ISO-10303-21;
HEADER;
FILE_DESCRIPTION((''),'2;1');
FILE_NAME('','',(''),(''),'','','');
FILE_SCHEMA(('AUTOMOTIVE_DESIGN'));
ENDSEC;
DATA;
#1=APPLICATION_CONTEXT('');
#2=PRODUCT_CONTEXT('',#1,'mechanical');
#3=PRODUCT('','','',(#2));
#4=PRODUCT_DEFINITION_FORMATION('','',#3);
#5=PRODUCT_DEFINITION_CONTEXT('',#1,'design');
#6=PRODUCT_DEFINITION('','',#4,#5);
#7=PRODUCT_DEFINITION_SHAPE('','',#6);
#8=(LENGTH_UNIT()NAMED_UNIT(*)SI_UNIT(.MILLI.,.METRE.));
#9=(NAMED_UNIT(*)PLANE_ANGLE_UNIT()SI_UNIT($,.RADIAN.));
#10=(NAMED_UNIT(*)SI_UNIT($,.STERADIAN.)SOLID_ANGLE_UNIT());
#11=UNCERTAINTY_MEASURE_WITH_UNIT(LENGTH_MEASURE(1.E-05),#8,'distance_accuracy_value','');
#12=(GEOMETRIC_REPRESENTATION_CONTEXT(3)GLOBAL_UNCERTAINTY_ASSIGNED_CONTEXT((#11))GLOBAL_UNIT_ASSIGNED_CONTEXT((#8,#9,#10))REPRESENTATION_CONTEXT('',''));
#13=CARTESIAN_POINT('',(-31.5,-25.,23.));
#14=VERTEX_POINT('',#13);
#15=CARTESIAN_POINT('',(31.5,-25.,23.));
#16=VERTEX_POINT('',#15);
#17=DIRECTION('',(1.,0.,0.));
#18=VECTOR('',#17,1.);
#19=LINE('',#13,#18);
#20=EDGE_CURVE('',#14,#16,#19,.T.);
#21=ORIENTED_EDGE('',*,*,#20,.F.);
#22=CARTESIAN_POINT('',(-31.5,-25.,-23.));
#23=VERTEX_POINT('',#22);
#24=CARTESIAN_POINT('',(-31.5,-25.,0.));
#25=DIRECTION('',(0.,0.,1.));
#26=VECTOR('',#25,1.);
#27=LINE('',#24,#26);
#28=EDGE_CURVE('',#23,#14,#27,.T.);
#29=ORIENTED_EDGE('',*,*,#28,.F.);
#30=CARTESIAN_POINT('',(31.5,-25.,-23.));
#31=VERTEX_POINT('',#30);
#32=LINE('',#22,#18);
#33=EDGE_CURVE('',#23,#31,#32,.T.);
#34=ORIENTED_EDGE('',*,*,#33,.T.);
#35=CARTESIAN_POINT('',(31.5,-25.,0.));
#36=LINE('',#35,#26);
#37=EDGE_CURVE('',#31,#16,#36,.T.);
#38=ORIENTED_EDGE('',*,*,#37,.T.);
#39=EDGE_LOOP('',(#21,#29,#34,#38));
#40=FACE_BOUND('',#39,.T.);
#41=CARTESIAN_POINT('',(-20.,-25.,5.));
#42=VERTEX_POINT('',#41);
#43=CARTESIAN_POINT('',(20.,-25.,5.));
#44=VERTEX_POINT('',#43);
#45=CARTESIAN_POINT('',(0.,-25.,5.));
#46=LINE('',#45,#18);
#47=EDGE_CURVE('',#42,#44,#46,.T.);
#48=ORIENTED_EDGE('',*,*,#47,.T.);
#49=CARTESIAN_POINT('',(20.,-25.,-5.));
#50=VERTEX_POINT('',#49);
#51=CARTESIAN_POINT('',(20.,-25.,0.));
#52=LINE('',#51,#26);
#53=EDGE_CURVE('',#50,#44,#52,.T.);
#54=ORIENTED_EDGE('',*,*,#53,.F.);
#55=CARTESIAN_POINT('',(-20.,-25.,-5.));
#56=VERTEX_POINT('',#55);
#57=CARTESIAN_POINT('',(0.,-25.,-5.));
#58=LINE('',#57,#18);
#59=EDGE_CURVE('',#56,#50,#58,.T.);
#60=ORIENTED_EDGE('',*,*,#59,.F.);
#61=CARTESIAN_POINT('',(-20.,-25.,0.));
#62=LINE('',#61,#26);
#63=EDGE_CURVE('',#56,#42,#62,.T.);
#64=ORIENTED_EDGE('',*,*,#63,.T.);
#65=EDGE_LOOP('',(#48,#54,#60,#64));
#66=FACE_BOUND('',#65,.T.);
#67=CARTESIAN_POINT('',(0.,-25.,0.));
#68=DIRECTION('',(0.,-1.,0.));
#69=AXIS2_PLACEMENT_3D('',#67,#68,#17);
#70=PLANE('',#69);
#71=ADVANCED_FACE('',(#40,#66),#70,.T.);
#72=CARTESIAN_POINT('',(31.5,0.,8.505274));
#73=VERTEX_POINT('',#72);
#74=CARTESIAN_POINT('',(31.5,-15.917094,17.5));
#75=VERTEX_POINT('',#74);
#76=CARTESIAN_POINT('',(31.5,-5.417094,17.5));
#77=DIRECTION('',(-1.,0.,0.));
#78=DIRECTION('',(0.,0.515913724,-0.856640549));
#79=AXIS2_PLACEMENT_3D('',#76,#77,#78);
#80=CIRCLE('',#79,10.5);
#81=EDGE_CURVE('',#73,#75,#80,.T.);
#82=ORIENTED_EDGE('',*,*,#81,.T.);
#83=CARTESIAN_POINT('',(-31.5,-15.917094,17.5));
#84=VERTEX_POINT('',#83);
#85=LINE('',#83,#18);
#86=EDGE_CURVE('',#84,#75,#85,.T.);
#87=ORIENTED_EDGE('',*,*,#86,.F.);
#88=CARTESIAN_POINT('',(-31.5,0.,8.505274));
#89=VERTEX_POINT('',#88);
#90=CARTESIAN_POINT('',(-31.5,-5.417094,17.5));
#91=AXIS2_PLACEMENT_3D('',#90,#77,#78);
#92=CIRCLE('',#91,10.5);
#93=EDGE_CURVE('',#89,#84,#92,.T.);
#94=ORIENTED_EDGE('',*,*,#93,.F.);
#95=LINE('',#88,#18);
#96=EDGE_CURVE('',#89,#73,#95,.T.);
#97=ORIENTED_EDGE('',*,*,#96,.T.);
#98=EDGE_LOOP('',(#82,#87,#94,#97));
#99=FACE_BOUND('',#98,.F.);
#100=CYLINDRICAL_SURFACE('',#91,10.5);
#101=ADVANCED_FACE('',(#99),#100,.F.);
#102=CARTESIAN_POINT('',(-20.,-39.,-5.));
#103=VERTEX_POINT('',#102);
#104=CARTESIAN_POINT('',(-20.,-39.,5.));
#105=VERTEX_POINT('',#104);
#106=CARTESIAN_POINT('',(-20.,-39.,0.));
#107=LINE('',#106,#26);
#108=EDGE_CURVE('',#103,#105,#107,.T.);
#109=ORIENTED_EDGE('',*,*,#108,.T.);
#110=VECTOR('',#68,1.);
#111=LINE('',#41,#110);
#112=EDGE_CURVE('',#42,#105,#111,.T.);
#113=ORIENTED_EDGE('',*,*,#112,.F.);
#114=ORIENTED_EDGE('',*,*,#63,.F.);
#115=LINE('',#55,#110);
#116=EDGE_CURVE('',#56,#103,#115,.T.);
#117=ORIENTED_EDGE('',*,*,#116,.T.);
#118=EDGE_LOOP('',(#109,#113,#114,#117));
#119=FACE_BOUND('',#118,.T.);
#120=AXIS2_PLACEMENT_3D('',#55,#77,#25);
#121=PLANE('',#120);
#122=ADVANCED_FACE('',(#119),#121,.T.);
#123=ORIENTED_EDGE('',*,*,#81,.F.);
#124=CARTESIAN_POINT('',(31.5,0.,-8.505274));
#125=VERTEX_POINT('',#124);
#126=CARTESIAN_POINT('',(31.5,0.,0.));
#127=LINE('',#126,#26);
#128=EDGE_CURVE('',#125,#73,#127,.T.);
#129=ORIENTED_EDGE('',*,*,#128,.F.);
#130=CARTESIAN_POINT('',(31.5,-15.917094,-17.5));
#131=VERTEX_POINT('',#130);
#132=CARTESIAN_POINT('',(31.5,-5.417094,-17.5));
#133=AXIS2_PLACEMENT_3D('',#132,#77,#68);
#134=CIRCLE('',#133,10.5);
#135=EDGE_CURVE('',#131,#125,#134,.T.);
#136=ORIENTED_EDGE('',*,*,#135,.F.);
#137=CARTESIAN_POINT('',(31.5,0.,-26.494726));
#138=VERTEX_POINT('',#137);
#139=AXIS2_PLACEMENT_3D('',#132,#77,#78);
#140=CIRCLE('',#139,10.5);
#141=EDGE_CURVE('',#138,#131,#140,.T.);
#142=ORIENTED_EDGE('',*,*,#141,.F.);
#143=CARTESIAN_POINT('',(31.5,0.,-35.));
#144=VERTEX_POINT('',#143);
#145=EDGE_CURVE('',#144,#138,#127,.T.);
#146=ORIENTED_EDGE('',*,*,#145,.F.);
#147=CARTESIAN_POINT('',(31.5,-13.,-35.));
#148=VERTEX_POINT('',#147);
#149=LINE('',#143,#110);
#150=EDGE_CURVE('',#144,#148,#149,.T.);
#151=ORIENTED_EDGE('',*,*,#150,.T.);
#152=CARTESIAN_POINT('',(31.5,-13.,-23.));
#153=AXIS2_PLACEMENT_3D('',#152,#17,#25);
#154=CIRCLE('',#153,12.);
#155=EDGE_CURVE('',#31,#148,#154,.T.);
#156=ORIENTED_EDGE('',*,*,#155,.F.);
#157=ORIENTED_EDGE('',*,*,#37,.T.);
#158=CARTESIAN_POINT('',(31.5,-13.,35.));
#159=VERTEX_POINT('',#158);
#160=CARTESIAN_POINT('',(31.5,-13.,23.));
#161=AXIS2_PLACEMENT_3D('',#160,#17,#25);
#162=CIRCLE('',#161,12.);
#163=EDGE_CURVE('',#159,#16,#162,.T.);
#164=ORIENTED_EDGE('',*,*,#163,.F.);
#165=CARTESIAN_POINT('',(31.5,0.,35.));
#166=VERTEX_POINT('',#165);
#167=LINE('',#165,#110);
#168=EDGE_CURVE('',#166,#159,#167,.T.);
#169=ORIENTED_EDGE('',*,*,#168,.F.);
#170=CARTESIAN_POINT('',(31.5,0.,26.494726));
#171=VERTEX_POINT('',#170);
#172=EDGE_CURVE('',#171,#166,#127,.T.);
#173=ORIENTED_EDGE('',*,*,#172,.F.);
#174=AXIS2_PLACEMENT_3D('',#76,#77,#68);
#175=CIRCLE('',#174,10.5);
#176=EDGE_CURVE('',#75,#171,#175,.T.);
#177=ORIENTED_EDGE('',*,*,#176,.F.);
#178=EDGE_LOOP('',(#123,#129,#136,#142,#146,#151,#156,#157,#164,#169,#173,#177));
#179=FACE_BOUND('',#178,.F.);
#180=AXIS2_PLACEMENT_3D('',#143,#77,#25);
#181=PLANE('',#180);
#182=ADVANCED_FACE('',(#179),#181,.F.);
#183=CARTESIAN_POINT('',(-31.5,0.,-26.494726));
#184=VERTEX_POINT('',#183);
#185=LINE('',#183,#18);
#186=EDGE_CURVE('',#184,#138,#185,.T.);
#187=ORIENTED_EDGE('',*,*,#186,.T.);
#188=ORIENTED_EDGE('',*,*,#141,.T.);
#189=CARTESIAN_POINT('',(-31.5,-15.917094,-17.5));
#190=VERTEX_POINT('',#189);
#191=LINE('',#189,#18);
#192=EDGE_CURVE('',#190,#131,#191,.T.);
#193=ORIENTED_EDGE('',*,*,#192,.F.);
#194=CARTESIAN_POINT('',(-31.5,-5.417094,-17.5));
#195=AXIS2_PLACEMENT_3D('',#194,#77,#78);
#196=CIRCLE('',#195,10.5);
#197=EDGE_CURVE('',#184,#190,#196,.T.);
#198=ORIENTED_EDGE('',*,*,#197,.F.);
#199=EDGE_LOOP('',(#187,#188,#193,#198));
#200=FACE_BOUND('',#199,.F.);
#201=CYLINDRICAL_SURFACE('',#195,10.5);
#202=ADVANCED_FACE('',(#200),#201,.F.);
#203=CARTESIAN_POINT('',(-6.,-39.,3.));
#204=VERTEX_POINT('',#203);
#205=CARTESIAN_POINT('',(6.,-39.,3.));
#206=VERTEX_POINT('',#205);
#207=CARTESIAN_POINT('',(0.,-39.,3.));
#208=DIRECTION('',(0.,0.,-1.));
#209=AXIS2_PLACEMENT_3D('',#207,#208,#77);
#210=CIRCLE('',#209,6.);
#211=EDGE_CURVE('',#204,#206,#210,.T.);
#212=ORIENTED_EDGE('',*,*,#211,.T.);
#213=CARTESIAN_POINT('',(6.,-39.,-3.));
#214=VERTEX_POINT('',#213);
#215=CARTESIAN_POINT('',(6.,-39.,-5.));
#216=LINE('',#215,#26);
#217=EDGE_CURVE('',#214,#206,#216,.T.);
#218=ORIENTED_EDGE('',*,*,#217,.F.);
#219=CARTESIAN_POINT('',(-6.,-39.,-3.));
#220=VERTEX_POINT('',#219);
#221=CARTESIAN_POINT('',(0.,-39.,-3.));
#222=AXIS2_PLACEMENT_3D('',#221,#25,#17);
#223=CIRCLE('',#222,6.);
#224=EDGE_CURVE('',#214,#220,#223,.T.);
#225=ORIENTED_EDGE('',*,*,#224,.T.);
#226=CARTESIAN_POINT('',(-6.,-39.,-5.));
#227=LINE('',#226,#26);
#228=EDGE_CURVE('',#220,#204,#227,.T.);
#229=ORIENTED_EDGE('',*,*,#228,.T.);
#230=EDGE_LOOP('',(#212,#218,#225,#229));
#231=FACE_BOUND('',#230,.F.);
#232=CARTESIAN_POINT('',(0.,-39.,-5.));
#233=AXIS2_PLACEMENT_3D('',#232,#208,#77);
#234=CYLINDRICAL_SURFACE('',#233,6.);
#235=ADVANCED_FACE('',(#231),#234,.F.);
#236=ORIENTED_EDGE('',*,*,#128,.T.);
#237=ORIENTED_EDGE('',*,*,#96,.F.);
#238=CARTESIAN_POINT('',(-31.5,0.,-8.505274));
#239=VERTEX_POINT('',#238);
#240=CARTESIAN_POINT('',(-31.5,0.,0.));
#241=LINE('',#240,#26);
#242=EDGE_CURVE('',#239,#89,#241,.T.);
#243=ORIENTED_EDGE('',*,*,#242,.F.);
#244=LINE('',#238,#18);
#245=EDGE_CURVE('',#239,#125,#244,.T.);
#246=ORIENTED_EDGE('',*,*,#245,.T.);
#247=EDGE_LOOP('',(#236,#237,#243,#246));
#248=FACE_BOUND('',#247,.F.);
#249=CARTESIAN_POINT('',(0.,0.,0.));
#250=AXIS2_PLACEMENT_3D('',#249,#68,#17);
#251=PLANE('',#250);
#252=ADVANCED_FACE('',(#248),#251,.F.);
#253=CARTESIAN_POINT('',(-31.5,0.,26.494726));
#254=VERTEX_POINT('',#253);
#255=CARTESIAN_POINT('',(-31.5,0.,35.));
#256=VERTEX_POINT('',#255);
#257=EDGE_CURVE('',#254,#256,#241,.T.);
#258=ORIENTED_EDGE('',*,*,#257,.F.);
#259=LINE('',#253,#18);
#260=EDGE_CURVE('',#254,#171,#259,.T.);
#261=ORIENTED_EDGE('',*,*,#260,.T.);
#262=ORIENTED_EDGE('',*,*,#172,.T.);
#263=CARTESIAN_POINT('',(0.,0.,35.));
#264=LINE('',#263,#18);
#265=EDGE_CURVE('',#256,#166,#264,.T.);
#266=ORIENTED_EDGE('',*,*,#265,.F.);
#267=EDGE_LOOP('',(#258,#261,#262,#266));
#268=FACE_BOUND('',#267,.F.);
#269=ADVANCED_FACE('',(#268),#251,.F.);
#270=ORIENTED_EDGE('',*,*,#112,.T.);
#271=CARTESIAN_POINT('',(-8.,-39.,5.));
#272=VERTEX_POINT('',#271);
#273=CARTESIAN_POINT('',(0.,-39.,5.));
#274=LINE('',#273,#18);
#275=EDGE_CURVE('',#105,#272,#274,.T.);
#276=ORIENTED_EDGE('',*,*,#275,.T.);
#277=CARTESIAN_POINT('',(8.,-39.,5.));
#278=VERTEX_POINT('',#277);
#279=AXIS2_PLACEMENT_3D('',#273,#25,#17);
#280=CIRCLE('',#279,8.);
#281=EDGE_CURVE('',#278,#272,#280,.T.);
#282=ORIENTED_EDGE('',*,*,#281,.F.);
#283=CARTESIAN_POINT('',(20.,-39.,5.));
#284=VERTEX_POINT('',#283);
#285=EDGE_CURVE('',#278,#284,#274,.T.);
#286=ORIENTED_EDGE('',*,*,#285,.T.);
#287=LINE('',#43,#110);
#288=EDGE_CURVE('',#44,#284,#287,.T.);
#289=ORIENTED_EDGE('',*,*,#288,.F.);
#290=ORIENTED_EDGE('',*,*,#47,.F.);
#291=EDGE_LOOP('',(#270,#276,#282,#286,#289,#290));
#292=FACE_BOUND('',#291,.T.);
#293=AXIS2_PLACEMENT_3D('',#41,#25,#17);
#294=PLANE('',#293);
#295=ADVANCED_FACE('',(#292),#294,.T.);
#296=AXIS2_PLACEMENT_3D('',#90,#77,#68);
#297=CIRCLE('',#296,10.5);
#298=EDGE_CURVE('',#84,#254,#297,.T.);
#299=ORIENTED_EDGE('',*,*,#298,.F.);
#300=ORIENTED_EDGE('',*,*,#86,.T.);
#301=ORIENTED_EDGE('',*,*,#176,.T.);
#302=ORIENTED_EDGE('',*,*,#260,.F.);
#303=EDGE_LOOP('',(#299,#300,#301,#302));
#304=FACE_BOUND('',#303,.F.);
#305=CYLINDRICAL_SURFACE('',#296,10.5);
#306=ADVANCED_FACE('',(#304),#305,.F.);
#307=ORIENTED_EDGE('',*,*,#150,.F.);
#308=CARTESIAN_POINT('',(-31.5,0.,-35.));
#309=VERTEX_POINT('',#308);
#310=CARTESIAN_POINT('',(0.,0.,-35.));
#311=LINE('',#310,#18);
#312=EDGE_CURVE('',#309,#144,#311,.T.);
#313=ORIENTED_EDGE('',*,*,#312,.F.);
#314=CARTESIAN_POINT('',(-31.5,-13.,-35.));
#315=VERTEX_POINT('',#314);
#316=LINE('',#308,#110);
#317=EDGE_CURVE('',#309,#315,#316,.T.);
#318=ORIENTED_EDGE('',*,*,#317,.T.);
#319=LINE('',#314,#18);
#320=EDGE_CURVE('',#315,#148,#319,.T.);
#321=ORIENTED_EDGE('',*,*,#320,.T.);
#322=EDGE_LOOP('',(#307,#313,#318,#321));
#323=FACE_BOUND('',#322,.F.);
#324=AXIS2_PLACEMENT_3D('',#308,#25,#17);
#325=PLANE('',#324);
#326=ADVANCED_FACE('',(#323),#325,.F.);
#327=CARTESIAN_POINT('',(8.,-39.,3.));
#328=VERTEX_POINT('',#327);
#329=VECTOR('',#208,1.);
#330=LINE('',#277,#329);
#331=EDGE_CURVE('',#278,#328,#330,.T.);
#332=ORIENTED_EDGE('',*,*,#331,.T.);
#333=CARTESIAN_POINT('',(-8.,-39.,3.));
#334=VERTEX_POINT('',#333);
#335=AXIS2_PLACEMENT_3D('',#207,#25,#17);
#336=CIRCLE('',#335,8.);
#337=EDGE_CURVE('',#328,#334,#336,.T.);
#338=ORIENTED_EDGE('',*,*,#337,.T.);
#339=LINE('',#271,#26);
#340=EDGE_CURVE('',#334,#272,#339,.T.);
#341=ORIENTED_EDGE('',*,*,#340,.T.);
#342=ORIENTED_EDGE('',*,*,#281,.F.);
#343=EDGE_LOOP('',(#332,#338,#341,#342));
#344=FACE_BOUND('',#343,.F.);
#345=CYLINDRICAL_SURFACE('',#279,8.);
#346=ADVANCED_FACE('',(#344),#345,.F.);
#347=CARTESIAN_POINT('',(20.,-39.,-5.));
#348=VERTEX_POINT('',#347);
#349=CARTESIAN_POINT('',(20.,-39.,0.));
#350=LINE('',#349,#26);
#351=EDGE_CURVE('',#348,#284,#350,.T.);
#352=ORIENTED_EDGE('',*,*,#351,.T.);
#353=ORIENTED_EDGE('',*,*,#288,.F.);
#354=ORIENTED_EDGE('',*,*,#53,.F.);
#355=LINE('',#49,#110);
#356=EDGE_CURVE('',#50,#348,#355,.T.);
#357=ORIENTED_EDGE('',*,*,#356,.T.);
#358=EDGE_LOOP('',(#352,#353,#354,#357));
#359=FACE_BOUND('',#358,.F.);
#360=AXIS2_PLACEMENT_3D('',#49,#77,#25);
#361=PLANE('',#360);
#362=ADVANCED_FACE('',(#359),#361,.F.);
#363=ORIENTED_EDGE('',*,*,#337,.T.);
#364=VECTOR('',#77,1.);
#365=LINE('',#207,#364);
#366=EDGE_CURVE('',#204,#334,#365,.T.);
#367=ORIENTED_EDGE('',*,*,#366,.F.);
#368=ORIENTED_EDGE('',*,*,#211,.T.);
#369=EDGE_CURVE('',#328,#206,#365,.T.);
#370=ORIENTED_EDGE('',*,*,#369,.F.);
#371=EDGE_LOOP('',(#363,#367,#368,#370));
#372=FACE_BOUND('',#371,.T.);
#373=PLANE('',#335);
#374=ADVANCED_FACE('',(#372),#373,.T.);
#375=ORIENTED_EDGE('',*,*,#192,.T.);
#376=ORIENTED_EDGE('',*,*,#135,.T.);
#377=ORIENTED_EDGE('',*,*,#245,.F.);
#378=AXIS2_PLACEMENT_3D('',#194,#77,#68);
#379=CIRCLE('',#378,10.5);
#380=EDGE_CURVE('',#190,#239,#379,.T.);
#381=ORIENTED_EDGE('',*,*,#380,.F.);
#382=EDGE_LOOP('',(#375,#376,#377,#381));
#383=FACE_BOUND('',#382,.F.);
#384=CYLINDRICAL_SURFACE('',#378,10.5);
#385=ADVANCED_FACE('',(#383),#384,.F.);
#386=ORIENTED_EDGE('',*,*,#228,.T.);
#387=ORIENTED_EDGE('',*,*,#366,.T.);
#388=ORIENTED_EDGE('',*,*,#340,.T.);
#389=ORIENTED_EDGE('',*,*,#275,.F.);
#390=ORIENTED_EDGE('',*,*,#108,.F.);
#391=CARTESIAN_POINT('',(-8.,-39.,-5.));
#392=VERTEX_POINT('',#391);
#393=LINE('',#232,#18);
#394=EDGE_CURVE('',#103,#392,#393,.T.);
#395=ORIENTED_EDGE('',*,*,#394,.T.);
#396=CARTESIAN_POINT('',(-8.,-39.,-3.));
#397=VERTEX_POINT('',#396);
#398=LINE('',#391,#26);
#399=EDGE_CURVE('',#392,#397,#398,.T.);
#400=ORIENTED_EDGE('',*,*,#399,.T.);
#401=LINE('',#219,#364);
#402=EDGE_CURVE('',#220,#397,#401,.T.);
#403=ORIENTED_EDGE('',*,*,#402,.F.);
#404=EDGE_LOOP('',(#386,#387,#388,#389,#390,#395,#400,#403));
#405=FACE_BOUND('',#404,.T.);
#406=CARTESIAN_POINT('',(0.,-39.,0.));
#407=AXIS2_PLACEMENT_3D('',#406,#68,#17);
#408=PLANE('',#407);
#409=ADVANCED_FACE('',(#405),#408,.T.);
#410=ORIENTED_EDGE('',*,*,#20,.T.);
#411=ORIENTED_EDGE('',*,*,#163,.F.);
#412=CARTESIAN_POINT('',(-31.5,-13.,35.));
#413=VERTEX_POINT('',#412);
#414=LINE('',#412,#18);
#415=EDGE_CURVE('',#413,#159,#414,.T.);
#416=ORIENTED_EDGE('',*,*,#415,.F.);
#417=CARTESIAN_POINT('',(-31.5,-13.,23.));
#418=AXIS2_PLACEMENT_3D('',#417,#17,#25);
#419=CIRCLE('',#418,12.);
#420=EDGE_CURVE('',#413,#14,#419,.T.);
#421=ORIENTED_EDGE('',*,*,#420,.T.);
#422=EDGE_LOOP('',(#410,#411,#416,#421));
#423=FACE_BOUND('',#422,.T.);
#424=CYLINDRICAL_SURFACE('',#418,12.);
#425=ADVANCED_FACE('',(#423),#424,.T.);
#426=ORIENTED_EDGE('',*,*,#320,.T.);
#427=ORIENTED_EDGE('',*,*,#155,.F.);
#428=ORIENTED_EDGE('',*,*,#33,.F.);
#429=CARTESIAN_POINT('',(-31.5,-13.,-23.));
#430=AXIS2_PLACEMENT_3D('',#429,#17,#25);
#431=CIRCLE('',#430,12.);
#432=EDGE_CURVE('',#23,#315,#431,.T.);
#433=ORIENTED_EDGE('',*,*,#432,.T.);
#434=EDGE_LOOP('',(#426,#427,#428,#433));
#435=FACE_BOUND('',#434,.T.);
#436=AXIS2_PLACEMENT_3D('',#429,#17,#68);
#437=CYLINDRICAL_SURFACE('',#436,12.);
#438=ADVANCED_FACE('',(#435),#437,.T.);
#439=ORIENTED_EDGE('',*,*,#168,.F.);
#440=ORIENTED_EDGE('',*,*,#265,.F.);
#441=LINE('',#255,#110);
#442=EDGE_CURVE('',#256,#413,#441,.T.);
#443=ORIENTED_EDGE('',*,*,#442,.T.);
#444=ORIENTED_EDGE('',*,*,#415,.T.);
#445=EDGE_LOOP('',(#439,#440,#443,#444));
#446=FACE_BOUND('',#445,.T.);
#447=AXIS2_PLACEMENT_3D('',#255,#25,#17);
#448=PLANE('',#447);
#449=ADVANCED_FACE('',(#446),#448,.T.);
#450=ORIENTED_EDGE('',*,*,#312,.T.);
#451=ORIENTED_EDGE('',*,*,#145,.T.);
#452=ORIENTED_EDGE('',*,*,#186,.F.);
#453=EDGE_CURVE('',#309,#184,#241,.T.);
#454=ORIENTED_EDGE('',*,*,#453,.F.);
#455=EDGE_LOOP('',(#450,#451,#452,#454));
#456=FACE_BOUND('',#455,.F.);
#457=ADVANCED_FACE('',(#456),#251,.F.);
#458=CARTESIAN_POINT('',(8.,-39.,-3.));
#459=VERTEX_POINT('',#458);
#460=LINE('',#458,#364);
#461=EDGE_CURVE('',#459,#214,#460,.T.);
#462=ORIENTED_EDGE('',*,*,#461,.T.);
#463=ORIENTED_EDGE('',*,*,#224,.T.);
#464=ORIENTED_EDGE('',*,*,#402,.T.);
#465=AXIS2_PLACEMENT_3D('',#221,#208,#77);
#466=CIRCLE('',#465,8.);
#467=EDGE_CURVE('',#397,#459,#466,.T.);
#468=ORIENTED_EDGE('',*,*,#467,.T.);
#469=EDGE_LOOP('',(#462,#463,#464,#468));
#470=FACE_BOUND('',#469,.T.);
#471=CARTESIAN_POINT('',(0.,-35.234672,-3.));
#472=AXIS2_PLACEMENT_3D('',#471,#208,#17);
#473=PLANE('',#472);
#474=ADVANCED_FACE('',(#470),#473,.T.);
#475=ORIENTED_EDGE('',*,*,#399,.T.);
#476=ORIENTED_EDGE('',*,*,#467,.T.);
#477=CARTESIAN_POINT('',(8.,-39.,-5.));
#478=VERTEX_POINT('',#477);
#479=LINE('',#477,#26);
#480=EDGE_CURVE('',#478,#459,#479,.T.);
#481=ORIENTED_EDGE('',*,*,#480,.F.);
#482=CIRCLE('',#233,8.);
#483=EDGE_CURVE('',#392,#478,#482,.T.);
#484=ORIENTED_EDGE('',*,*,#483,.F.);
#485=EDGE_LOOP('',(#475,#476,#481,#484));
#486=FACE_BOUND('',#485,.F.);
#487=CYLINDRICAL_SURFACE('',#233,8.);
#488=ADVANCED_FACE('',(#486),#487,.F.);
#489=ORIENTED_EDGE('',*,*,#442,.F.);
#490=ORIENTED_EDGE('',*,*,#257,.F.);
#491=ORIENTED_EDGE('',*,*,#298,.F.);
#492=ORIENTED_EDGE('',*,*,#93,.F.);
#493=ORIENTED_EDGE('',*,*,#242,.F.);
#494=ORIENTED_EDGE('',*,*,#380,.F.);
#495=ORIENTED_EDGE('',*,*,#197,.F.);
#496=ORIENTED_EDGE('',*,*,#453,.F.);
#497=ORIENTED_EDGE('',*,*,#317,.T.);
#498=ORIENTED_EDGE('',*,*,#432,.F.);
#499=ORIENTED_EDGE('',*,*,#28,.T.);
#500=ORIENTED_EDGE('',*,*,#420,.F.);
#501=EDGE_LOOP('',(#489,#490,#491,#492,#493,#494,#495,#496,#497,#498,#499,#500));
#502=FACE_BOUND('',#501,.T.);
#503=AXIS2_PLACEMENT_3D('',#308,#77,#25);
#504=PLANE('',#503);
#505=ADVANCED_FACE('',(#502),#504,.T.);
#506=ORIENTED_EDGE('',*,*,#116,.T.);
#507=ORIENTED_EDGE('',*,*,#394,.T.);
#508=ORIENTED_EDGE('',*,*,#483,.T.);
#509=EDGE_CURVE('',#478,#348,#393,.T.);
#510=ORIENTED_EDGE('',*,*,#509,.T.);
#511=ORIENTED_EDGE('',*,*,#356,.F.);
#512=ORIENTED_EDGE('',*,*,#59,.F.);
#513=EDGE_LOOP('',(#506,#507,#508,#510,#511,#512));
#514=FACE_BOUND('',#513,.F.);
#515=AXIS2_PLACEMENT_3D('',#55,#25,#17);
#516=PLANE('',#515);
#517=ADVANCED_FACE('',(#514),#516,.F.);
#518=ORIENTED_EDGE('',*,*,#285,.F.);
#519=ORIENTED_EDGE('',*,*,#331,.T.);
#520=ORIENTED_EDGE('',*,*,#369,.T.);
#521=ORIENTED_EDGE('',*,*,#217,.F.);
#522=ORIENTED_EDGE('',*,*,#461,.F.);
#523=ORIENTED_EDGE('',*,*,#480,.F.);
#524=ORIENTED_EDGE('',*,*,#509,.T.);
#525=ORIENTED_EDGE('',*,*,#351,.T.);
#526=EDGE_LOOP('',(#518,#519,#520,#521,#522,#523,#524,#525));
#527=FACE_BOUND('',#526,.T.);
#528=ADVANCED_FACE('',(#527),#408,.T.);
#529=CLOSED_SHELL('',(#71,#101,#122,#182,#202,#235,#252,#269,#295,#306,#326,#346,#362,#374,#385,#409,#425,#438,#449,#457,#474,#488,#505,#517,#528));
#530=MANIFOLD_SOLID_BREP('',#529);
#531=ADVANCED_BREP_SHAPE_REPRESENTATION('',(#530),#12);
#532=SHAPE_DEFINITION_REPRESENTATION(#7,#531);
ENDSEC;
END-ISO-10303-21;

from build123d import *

# Parameters (mm, degrees)
F0_W      = 63
F0_H      = 70
F1_DEPTH  = 25
F3_DEPTH  = 63.001
F4_W      = 40
F4_H      = 10
F5_DEPTH  = 14
F7_DEPTH  = 40.001
F8_DEPTH  = 2
F9_R      = 8
F10_DEPTH = 2
F11_R     = 12


with BuildPart() as f1:
    # F0 (on Front) → F1 (new body)
    with BuildSketch(Plane.XZ):
        Rectangle(F0_W, F0_H)
    extrude(amount=F1_DEPTH)

    # F2 (on face) → F3 (cut, through all)
    with BuildSketch(Plane(origin=(-31.5, 0, 0), x_dir=(0, -1, 0), z_dir=(-1, 0, 0))):
        with BuildLine():
            ThreePointArc((0, 8.5052742394), (10.5828714835, 8.3586246097), (15.9170941003, 17.5))
            ThreePointArc((15.9170941003, 17.5), (10.5828714835, 26.6413753903), (0, 26.4947257606))
            Line((0, 26.4947257606), (0, 8.5052742394))
        make_face()
        with BuildLine():
            ThreePointArc((15.9170941003, -17.5), (10.5828714835, -8.3586246097), (0, -8.5052742394))
            Line((0, -8.5052742394), (0, -26.4947257606))
            ThreePointArc((0, -26.4947257606), (10.5828714835, -26.6413753903), (15.9170941003, -17.5))
        make_face()
    extrude(amount=-F3_DEPTH, mode=Mode.SUBTRACT)

    # F4 (on face) → F5 (join)
    with BuildSketch(Plane.XZ.offset(25)):
        Rectangle(F4_W, F4_H)
    extrude(amount=F5_DEPTH)

    # F6 (on face) → F7 (cut, through all)
    with BuildSketch(Plane(origin=(0, 0, -5), x_dir=(1, 0, 0), z_dir=(0, 0, -1))):
        with BuildLine():
            ThreePointArc((-6, 39), (0, 33), (6, 39))
            Line((6, 39), (-6, 39))
        make_face()
    extrude(amount=-F7_DEPTH, mode=Mode.SUBTRACT)

    # F6 (on face) → F8 (cut)
    with BuildSketch(Plane(origin=(0, 0, -5), x_dir=(1, 0, 0), z_dir=(0, 0, -1))):
        with BuildLine():
            ThreePointArc((-8, 39), (0, 31), (8, 39))
            Line((8, 39), (6, 39))
            ThreePointArc((6, 39), (0, 33), (-6, 39))
            Line((-6, 39), (-8, 39))
        make_face()
    extrude(amount=-F8_DEPTH, mode=Mode.SUBTRACT)

    # F9 (on face) → F10 (cut)
    with BuildSketch(Plane.XY.offset(5)):
        with Locations((0, -39)):
            Circle(F9_R)
    extrude(amount=-F10_DEPTH, mode=Mode.SUBTRACT)

    # F11
    f11_edges = [f1.edges().sort_by_distance(p)[0] for p in [
        (0, -25, 35),
        (0, -25, -35),
    ]]
    fillet(f11_edges, radius=F11_R)


solid = f1.part
